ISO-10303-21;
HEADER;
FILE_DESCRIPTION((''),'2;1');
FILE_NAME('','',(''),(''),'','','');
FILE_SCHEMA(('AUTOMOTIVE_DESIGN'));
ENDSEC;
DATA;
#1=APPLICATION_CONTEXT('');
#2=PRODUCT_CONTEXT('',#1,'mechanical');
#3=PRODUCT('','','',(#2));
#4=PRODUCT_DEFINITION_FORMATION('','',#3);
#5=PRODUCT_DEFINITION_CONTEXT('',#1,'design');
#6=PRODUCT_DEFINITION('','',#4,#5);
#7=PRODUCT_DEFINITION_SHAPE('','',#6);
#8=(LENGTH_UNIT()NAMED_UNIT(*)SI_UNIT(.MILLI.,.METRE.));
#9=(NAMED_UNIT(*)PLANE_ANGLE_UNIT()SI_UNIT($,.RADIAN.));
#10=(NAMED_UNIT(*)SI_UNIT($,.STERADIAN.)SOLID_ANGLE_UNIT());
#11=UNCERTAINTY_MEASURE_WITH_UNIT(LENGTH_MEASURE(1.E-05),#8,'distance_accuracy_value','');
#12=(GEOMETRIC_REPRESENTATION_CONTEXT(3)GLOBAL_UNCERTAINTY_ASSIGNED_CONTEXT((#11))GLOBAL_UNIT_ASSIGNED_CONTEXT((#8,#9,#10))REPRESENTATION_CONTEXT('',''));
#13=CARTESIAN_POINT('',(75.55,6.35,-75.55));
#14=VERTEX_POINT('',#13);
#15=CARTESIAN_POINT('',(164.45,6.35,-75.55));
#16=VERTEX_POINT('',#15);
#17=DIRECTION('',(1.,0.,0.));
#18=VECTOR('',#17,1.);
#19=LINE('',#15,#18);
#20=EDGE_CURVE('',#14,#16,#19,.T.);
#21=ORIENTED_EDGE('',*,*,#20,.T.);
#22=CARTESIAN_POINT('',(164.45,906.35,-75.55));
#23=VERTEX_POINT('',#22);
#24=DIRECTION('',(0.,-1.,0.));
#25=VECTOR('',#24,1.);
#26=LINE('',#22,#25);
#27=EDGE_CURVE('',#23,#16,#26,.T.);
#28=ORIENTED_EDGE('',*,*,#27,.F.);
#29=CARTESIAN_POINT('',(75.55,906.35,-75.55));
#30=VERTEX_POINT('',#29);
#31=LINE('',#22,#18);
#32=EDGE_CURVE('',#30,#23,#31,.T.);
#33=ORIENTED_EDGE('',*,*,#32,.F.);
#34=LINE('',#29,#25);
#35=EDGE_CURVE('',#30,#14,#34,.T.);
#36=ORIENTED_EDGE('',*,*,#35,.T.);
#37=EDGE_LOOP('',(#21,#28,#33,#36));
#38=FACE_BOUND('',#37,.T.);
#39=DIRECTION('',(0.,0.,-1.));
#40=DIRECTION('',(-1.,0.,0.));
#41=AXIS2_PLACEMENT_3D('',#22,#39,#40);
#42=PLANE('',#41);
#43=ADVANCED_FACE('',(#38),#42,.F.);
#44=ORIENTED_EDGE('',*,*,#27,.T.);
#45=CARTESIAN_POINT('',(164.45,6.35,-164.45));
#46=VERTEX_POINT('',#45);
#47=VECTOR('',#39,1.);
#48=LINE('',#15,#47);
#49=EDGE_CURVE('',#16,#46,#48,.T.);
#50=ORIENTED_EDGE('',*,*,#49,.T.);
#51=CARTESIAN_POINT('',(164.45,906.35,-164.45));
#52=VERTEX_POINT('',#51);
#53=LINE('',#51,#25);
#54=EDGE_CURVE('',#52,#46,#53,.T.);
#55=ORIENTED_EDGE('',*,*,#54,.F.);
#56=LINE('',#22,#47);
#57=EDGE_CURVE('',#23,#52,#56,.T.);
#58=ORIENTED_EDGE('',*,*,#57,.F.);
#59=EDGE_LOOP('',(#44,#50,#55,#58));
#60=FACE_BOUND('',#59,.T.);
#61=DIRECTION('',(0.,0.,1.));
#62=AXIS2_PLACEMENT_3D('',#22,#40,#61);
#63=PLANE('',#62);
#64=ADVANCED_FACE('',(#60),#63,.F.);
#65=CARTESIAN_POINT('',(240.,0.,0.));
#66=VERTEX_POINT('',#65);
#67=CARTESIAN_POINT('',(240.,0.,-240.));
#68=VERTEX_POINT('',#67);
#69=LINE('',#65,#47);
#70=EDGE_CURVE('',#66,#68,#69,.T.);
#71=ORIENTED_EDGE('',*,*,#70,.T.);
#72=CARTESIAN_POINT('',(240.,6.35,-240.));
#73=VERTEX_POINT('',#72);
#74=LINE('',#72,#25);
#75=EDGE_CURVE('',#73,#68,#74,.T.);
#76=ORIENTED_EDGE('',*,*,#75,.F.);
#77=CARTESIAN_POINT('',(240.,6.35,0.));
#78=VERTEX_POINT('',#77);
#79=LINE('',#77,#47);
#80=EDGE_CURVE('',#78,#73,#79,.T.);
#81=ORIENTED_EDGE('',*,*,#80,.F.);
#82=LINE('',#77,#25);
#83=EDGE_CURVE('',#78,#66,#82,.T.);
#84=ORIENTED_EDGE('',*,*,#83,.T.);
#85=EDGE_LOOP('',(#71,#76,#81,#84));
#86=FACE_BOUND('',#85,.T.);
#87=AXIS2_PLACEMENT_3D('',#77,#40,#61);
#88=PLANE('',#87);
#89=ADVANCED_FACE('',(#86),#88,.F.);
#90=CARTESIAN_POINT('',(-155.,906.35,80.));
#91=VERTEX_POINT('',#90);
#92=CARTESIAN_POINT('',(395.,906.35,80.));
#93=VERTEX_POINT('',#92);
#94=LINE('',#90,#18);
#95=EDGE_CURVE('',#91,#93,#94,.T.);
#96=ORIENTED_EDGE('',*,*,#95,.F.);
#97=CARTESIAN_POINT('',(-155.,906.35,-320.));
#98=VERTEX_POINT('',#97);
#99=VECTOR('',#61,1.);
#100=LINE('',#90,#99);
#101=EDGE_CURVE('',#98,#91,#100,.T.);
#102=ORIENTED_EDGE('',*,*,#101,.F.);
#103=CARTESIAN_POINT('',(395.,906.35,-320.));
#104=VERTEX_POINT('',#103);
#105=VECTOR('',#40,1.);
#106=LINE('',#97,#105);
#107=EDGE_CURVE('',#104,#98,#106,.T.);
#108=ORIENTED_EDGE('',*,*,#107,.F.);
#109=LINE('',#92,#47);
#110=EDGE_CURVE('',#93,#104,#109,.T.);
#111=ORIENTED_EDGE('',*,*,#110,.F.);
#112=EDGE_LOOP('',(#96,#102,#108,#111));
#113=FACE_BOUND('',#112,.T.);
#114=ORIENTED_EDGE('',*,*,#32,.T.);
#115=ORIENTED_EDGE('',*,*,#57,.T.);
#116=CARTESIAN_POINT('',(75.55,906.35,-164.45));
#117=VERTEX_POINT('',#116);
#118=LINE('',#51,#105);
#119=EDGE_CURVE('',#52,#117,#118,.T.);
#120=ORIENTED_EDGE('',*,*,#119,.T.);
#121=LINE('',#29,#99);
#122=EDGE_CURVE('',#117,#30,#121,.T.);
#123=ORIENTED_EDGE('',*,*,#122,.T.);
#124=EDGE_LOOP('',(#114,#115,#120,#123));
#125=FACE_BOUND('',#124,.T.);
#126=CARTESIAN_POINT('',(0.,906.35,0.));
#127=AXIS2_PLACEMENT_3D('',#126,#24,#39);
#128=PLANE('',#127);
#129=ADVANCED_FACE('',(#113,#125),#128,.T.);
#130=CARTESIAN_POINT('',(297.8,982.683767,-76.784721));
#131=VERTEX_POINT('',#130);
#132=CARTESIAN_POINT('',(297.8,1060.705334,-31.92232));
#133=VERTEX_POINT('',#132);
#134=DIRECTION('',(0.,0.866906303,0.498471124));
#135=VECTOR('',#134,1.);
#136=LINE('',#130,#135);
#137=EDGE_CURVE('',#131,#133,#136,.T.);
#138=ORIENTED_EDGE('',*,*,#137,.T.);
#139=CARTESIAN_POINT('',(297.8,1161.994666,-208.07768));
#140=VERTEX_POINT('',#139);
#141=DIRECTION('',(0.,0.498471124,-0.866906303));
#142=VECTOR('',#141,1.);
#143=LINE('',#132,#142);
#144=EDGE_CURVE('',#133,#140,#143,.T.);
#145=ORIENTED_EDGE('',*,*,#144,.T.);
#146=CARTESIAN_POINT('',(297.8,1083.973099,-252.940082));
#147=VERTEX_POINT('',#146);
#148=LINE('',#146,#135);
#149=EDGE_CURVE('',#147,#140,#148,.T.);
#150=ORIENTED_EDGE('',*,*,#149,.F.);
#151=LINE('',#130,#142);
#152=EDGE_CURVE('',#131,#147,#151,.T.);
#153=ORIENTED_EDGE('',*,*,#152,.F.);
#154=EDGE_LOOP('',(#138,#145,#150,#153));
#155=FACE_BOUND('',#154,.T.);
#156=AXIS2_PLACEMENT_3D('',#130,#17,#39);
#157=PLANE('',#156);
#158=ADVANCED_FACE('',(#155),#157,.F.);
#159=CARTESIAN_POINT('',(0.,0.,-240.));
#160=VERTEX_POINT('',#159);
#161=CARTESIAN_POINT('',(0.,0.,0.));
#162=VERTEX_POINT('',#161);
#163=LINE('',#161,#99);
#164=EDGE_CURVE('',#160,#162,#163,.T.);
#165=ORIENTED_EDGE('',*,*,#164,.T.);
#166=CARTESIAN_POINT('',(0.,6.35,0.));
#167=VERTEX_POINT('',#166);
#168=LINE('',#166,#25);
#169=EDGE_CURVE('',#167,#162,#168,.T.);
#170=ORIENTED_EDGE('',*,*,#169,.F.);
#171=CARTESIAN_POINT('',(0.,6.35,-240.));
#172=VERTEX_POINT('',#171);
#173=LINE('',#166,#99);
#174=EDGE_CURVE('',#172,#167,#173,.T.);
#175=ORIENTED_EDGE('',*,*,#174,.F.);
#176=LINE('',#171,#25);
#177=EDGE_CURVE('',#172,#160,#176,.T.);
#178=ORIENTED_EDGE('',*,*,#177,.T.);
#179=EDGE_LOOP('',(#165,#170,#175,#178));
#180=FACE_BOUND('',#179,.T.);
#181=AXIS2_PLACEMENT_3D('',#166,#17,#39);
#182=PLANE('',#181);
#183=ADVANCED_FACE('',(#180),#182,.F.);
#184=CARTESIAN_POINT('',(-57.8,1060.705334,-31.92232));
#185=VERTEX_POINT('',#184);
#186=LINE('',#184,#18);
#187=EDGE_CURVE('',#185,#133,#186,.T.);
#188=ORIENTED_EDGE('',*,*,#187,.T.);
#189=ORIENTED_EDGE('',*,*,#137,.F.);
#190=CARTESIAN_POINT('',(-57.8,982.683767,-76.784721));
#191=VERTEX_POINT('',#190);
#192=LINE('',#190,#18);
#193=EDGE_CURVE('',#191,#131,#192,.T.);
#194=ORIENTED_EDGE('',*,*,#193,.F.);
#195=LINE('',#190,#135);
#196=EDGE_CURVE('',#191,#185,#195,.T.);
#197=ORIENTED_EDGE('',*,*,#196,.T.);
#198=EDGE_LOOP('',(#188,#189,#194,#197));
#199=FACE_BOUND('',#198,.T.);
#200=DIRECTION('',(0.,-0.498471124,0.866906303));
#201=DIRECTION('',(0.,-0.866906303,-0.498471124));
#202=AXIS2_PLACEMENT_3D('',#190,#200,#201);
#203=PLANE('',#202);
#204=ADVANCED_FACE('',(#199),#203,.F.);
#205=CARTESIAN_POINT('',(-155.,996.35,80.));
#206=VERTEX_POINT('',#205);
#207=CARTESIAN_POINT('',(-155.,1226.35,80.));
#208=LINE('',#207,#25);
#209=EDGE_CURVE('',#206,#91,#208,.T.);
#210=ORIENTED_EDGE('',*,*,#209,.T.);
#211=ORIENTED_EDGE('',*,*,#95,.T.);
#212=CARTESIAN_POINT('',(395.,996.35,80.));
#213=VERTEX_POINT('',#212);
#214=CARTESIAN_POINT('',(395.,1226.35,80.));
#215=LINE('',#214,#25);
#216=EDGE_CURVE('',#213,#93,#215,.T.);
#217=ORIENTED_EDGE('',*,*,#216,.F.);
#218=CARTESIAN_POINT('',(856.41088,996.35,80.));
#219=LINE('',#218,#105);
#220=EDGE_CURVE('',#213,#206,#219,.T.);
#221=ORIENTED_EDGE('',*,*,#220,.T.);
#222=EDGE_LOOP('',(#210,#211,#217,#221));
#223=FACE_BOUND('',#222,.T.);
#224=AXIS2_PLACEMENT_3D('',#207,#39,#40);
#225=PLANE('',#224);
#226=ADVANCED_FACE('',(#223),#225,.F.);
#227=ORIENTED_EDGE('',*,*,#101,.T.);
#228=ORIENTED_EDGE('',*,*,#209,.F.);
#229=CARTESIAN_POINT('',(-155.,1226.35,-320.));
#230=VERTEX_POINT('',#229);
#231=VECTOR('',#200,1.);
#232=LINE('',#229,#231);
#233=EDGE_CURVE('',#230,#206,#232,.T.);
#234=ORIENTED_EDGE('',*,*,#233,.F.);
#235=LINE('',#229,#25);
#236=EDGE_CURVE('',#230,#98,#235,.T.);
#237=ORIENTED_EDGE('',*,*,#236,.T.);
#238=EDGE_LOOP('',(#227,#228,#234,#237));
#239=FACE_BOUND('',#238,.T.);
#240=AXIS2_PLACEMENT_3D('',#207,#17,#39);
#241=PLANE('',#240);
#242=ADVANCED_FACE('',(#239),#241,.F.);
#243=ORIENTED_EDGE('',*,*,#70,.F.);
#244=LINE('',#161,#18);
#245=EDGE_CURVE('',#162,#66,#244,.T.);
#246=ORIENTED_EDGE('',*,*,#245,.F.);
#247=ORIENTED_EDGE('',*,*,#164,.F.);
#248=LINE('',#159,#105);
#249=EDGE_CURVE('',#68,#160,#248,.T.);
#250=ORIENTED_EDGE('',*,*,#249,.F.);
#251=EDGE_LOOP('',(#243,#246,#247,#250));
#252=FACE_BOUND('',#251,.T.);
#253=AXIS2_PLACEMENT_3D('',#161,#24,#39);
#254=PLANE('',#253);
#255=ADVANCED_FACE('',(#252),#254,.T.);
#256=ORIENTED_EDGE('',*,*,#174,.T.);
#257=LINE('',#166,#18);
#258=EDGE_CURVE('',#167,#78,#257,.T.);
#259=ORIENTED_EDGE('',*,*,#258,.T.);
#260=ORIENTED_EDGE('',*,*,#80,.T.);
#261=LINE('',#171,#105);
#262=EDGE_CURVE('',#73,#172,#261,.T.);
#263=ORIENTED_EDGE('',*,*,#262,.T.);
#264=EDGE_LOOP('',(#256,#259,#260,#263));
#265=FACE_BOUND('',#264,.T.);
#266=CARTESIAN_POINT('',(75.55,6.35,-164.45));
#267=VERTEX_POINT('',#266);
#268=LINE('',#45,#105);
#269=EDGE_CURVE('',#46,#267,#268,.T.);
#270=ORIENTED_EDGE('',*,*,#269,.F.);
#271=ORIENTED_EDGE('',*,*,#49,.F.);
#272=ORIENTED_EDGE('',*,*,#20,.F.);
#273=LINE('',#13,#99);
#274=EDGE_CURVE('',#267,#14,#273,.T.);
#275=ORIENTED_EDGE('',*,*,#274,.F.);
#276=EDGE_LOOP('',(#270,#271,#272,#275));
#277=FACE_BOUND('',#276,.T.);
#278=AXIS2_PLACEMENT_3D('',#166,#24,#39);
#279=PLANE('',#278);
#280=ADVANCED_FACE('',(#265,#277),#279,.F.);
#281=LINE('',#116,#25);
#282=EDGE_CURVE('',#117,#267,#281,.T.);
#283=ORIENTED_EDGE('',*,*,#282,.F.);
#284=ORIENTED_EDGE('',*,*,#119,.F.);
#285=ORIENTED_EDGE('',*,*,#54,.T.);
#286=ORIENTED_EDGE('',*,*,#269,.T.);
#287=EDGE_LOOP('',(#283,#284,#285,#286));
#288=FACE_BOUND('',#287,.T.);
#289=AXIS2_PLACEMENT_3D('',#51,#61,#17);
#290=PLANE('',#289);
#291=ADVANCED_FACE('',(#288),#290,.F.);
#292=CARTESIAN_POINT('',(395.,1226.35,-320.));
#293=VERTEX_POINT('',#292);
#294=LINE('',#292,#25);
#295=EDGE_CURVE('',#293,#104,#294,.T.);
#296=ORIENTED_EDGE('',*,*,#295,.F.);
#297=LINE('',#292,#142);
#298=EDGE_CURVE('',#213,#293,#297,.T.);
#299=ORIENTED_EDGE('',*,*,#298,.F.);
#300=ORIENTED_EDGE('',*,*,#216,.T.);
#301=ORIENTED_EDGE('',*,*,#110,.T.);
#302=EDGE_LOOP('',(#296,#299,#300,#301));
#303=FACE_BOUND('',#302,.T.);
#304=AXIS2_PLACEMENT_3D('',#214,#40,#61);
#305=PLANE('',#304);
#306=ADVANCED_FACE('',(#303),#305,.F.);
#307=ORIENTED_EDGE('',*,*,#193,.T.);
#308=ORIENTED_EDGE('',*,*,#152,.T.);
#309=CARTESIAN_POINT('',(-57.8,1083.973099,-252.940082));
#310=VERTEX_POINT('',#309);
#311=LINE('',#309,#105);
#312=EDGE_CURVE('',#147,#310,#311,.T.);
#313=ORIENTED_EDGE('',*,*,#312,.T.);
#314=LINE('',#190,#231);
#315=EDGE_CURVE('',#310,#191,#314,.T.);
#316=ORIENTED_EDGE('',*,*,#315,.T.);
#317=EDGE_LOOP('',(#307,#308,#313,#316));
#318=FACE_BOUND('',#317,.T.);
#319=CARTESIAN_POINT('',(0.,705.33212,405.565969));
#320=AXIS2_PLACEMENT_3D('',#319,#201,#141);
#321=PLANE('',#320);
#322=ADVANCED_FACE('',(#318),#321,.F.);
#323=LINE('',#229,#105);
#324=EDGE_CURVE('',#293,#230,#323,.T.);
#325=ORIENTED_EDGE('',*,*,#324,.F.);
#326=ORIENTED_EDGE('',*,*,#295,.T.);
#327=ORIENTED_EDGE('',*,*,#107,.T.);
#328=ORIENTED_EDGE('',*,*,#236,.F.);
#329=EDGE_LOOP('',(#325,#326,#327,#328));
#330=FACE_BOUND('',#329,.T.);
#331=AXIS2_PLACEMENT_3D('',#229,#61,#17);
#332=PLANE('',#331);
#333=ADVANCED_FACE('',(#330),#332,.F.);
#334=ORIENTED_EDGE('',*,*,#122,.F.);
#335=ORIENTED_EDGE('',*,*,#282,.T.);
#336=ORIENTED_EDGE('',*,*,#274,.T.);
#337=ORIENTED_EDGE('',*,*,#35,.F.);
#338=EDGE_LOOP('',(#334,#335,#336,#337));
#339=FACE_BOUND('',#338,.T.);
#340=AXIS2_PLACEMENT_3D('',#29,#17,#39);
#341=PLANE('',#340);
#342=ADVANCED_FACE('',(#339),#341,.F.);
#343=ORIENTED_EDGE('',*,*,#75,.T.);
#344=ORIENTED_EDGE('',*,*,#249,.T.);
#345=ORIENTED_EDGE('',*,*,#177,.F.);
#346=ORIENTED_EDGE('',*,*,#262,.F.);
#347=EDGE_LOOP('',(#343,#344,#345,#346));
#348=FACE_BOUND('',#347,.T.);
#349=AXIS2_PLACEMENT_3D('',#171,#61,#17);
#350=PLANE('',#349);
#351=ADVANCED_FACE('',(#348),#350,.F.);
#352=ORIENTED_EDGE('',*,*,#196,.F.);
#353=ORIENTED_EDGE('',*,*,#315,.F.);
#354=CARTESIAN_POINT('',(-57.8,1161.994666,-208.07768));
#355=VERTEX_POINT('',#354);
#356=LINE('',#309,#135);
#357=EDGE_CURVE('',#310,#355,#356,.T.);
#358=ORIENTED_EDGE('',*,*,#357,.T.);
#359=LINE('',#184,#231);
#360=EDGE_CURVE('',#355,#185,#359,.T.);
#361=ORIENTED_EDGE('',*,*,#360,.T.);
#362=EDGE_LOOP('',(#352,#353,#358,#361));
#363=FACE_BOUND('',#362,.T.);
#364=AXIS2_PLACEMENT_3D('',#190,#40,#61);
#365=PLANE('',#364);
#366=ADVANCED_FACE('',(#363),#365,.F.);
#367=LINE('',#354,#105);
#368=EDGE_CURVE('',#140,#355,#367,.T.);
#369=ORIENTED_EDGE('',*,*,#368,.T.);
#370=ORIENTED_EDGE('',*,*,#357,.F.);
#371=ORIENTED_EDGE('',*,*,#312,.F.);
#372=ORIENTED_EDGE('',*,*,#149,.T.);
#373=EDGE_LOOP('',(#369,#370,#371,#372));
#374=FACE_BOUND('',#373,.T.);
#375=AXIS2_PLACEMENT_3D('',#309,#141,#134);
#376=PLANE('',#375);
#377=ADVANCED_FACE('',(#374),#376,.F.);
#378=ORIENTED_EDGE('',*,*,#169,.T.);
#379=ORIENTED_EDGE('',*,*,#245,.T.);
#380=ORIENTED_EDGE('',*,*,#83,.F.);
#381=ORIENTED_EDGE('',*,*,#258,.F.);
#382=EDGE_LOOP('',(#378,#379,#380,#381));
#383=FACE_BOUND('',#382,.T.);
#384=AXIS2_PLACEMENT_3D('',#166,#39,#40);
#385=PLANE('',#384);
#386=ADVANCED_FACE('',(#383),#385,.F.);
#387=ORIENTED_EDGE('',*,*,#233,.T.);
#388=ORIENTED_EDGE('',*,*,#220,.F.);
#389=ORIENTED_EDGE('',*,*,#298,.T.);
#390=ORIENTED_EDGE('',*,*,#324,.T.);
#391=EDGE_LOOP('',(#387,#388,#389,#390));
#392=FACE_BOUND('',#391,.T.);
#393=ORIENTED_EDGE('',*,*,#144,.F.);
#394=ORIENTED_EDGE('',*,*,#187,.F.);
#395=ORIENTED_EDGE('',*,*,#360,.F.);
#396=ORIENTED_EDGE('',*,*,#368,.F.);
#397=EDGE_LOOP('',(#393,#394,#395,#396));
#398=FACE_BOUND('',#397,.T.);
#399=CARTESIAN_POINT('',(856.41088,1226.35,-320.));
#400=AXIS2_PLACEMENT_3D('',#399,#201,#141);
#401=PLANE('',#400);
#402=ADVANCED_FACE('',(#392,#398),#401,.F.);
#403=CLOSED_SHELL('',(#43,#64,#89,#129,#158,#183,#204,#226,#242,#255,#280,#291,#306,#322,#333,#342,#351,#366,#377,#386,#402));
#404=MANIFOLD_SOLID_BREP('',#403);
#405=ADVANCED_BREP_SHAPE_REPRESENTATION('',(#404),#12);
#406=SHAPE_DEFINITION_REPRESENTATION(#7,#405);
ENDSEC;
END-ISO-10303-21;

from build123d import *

# Parameters (mm, degrees)
CROQUIS1_W              = 240
CROQUIS1_H              = 240
SALIENTE_EXTRUIR1_DEPTH = 6.35
CROQUIS2_W              = 88.9
CROQUIS2_H              = 88.9
SALIENTE_EXTRUIR2_DEPTH = 900
CROQUIS3_W              = 550
CROQUIS3_H              = 400
SALIENTE_EXTRUIR3_DEPTH = 320
CORTAR_EXTRUIR1_DEPTH   = 550
CROQUIS6_W              = 355.6
CROQUIS6_H              = 203.2
CORTAR_EXTRUIR2_DEPTH   = 90


with BuildPart() as part:
    # Croquis1 → Saliente-Extruir1 (new body)
    with BuildSketch(Plane(origin=(0, 0, 0), x_dir=(1, 0, 0), z_dir=(0, 1, 0))):
        with Locations((120, 120)):
            Rectangle(CROQUIS1_W, CROQUIS1_H)
    extrude(amount=SALIENTE_EXTRUIR1_DEPTH)

    # Croquis2 → Saliente-Extruir2 (add)
    with BuildSketch(Plane(origin=(0, 6.35, 0), x_dir=(1, 0, 0), z_dir=(0, 1, 0))):
        with Locations((120, 120)):
            Rectangle(CROQUIS2_W, CROQUIS2_H)
    extrude(amount=SALIENTE_EXTRUIR2_DEPTH)

    # Croquis3 → Saliente-Extruir3 (add)
    with BuildSketch(Plane(origin=(0, 906.35, 0), x_dir=(1, 0, 0), z_dir=(0, 1, 0))):
        with Locations((120, 120)):
            Rectangle(CROQUIS3_W, CROQUIS3_H)
    extrude(amount=SALIENTE_EXTRUIR3_DEPTH)

    # Croquis4 → Cortar-Extruir1 (cut)
    with BuildSketch(Plane.ZY.offset(155)):
        Polygon((-320, 1226.35), (80, 996.35), (80, 1226.35), align=None)
    extrude(amount=-CORTAR_EXTRUIR1_DEPTH, mode=Mode.SUBTRACT)

    # Croquis6 → Cortar-Extruir2 (cut)
    with BuildSketch(Plane(origin=(0, 783.353687177, 450.428370127), x_dir=(1, 0, 0), z_dir=(0, 0.8669063030575354, 0.4984711242580827))):
        with Locations((120, 658.004640311)):
            Rectangle(CROQUIS6_W, CROQUIS6_H)
    extrude(amount=-CORTAR_EXTRUIR2_DEPTH, mode=Mode.SUBTRACT)


solid = part.part
